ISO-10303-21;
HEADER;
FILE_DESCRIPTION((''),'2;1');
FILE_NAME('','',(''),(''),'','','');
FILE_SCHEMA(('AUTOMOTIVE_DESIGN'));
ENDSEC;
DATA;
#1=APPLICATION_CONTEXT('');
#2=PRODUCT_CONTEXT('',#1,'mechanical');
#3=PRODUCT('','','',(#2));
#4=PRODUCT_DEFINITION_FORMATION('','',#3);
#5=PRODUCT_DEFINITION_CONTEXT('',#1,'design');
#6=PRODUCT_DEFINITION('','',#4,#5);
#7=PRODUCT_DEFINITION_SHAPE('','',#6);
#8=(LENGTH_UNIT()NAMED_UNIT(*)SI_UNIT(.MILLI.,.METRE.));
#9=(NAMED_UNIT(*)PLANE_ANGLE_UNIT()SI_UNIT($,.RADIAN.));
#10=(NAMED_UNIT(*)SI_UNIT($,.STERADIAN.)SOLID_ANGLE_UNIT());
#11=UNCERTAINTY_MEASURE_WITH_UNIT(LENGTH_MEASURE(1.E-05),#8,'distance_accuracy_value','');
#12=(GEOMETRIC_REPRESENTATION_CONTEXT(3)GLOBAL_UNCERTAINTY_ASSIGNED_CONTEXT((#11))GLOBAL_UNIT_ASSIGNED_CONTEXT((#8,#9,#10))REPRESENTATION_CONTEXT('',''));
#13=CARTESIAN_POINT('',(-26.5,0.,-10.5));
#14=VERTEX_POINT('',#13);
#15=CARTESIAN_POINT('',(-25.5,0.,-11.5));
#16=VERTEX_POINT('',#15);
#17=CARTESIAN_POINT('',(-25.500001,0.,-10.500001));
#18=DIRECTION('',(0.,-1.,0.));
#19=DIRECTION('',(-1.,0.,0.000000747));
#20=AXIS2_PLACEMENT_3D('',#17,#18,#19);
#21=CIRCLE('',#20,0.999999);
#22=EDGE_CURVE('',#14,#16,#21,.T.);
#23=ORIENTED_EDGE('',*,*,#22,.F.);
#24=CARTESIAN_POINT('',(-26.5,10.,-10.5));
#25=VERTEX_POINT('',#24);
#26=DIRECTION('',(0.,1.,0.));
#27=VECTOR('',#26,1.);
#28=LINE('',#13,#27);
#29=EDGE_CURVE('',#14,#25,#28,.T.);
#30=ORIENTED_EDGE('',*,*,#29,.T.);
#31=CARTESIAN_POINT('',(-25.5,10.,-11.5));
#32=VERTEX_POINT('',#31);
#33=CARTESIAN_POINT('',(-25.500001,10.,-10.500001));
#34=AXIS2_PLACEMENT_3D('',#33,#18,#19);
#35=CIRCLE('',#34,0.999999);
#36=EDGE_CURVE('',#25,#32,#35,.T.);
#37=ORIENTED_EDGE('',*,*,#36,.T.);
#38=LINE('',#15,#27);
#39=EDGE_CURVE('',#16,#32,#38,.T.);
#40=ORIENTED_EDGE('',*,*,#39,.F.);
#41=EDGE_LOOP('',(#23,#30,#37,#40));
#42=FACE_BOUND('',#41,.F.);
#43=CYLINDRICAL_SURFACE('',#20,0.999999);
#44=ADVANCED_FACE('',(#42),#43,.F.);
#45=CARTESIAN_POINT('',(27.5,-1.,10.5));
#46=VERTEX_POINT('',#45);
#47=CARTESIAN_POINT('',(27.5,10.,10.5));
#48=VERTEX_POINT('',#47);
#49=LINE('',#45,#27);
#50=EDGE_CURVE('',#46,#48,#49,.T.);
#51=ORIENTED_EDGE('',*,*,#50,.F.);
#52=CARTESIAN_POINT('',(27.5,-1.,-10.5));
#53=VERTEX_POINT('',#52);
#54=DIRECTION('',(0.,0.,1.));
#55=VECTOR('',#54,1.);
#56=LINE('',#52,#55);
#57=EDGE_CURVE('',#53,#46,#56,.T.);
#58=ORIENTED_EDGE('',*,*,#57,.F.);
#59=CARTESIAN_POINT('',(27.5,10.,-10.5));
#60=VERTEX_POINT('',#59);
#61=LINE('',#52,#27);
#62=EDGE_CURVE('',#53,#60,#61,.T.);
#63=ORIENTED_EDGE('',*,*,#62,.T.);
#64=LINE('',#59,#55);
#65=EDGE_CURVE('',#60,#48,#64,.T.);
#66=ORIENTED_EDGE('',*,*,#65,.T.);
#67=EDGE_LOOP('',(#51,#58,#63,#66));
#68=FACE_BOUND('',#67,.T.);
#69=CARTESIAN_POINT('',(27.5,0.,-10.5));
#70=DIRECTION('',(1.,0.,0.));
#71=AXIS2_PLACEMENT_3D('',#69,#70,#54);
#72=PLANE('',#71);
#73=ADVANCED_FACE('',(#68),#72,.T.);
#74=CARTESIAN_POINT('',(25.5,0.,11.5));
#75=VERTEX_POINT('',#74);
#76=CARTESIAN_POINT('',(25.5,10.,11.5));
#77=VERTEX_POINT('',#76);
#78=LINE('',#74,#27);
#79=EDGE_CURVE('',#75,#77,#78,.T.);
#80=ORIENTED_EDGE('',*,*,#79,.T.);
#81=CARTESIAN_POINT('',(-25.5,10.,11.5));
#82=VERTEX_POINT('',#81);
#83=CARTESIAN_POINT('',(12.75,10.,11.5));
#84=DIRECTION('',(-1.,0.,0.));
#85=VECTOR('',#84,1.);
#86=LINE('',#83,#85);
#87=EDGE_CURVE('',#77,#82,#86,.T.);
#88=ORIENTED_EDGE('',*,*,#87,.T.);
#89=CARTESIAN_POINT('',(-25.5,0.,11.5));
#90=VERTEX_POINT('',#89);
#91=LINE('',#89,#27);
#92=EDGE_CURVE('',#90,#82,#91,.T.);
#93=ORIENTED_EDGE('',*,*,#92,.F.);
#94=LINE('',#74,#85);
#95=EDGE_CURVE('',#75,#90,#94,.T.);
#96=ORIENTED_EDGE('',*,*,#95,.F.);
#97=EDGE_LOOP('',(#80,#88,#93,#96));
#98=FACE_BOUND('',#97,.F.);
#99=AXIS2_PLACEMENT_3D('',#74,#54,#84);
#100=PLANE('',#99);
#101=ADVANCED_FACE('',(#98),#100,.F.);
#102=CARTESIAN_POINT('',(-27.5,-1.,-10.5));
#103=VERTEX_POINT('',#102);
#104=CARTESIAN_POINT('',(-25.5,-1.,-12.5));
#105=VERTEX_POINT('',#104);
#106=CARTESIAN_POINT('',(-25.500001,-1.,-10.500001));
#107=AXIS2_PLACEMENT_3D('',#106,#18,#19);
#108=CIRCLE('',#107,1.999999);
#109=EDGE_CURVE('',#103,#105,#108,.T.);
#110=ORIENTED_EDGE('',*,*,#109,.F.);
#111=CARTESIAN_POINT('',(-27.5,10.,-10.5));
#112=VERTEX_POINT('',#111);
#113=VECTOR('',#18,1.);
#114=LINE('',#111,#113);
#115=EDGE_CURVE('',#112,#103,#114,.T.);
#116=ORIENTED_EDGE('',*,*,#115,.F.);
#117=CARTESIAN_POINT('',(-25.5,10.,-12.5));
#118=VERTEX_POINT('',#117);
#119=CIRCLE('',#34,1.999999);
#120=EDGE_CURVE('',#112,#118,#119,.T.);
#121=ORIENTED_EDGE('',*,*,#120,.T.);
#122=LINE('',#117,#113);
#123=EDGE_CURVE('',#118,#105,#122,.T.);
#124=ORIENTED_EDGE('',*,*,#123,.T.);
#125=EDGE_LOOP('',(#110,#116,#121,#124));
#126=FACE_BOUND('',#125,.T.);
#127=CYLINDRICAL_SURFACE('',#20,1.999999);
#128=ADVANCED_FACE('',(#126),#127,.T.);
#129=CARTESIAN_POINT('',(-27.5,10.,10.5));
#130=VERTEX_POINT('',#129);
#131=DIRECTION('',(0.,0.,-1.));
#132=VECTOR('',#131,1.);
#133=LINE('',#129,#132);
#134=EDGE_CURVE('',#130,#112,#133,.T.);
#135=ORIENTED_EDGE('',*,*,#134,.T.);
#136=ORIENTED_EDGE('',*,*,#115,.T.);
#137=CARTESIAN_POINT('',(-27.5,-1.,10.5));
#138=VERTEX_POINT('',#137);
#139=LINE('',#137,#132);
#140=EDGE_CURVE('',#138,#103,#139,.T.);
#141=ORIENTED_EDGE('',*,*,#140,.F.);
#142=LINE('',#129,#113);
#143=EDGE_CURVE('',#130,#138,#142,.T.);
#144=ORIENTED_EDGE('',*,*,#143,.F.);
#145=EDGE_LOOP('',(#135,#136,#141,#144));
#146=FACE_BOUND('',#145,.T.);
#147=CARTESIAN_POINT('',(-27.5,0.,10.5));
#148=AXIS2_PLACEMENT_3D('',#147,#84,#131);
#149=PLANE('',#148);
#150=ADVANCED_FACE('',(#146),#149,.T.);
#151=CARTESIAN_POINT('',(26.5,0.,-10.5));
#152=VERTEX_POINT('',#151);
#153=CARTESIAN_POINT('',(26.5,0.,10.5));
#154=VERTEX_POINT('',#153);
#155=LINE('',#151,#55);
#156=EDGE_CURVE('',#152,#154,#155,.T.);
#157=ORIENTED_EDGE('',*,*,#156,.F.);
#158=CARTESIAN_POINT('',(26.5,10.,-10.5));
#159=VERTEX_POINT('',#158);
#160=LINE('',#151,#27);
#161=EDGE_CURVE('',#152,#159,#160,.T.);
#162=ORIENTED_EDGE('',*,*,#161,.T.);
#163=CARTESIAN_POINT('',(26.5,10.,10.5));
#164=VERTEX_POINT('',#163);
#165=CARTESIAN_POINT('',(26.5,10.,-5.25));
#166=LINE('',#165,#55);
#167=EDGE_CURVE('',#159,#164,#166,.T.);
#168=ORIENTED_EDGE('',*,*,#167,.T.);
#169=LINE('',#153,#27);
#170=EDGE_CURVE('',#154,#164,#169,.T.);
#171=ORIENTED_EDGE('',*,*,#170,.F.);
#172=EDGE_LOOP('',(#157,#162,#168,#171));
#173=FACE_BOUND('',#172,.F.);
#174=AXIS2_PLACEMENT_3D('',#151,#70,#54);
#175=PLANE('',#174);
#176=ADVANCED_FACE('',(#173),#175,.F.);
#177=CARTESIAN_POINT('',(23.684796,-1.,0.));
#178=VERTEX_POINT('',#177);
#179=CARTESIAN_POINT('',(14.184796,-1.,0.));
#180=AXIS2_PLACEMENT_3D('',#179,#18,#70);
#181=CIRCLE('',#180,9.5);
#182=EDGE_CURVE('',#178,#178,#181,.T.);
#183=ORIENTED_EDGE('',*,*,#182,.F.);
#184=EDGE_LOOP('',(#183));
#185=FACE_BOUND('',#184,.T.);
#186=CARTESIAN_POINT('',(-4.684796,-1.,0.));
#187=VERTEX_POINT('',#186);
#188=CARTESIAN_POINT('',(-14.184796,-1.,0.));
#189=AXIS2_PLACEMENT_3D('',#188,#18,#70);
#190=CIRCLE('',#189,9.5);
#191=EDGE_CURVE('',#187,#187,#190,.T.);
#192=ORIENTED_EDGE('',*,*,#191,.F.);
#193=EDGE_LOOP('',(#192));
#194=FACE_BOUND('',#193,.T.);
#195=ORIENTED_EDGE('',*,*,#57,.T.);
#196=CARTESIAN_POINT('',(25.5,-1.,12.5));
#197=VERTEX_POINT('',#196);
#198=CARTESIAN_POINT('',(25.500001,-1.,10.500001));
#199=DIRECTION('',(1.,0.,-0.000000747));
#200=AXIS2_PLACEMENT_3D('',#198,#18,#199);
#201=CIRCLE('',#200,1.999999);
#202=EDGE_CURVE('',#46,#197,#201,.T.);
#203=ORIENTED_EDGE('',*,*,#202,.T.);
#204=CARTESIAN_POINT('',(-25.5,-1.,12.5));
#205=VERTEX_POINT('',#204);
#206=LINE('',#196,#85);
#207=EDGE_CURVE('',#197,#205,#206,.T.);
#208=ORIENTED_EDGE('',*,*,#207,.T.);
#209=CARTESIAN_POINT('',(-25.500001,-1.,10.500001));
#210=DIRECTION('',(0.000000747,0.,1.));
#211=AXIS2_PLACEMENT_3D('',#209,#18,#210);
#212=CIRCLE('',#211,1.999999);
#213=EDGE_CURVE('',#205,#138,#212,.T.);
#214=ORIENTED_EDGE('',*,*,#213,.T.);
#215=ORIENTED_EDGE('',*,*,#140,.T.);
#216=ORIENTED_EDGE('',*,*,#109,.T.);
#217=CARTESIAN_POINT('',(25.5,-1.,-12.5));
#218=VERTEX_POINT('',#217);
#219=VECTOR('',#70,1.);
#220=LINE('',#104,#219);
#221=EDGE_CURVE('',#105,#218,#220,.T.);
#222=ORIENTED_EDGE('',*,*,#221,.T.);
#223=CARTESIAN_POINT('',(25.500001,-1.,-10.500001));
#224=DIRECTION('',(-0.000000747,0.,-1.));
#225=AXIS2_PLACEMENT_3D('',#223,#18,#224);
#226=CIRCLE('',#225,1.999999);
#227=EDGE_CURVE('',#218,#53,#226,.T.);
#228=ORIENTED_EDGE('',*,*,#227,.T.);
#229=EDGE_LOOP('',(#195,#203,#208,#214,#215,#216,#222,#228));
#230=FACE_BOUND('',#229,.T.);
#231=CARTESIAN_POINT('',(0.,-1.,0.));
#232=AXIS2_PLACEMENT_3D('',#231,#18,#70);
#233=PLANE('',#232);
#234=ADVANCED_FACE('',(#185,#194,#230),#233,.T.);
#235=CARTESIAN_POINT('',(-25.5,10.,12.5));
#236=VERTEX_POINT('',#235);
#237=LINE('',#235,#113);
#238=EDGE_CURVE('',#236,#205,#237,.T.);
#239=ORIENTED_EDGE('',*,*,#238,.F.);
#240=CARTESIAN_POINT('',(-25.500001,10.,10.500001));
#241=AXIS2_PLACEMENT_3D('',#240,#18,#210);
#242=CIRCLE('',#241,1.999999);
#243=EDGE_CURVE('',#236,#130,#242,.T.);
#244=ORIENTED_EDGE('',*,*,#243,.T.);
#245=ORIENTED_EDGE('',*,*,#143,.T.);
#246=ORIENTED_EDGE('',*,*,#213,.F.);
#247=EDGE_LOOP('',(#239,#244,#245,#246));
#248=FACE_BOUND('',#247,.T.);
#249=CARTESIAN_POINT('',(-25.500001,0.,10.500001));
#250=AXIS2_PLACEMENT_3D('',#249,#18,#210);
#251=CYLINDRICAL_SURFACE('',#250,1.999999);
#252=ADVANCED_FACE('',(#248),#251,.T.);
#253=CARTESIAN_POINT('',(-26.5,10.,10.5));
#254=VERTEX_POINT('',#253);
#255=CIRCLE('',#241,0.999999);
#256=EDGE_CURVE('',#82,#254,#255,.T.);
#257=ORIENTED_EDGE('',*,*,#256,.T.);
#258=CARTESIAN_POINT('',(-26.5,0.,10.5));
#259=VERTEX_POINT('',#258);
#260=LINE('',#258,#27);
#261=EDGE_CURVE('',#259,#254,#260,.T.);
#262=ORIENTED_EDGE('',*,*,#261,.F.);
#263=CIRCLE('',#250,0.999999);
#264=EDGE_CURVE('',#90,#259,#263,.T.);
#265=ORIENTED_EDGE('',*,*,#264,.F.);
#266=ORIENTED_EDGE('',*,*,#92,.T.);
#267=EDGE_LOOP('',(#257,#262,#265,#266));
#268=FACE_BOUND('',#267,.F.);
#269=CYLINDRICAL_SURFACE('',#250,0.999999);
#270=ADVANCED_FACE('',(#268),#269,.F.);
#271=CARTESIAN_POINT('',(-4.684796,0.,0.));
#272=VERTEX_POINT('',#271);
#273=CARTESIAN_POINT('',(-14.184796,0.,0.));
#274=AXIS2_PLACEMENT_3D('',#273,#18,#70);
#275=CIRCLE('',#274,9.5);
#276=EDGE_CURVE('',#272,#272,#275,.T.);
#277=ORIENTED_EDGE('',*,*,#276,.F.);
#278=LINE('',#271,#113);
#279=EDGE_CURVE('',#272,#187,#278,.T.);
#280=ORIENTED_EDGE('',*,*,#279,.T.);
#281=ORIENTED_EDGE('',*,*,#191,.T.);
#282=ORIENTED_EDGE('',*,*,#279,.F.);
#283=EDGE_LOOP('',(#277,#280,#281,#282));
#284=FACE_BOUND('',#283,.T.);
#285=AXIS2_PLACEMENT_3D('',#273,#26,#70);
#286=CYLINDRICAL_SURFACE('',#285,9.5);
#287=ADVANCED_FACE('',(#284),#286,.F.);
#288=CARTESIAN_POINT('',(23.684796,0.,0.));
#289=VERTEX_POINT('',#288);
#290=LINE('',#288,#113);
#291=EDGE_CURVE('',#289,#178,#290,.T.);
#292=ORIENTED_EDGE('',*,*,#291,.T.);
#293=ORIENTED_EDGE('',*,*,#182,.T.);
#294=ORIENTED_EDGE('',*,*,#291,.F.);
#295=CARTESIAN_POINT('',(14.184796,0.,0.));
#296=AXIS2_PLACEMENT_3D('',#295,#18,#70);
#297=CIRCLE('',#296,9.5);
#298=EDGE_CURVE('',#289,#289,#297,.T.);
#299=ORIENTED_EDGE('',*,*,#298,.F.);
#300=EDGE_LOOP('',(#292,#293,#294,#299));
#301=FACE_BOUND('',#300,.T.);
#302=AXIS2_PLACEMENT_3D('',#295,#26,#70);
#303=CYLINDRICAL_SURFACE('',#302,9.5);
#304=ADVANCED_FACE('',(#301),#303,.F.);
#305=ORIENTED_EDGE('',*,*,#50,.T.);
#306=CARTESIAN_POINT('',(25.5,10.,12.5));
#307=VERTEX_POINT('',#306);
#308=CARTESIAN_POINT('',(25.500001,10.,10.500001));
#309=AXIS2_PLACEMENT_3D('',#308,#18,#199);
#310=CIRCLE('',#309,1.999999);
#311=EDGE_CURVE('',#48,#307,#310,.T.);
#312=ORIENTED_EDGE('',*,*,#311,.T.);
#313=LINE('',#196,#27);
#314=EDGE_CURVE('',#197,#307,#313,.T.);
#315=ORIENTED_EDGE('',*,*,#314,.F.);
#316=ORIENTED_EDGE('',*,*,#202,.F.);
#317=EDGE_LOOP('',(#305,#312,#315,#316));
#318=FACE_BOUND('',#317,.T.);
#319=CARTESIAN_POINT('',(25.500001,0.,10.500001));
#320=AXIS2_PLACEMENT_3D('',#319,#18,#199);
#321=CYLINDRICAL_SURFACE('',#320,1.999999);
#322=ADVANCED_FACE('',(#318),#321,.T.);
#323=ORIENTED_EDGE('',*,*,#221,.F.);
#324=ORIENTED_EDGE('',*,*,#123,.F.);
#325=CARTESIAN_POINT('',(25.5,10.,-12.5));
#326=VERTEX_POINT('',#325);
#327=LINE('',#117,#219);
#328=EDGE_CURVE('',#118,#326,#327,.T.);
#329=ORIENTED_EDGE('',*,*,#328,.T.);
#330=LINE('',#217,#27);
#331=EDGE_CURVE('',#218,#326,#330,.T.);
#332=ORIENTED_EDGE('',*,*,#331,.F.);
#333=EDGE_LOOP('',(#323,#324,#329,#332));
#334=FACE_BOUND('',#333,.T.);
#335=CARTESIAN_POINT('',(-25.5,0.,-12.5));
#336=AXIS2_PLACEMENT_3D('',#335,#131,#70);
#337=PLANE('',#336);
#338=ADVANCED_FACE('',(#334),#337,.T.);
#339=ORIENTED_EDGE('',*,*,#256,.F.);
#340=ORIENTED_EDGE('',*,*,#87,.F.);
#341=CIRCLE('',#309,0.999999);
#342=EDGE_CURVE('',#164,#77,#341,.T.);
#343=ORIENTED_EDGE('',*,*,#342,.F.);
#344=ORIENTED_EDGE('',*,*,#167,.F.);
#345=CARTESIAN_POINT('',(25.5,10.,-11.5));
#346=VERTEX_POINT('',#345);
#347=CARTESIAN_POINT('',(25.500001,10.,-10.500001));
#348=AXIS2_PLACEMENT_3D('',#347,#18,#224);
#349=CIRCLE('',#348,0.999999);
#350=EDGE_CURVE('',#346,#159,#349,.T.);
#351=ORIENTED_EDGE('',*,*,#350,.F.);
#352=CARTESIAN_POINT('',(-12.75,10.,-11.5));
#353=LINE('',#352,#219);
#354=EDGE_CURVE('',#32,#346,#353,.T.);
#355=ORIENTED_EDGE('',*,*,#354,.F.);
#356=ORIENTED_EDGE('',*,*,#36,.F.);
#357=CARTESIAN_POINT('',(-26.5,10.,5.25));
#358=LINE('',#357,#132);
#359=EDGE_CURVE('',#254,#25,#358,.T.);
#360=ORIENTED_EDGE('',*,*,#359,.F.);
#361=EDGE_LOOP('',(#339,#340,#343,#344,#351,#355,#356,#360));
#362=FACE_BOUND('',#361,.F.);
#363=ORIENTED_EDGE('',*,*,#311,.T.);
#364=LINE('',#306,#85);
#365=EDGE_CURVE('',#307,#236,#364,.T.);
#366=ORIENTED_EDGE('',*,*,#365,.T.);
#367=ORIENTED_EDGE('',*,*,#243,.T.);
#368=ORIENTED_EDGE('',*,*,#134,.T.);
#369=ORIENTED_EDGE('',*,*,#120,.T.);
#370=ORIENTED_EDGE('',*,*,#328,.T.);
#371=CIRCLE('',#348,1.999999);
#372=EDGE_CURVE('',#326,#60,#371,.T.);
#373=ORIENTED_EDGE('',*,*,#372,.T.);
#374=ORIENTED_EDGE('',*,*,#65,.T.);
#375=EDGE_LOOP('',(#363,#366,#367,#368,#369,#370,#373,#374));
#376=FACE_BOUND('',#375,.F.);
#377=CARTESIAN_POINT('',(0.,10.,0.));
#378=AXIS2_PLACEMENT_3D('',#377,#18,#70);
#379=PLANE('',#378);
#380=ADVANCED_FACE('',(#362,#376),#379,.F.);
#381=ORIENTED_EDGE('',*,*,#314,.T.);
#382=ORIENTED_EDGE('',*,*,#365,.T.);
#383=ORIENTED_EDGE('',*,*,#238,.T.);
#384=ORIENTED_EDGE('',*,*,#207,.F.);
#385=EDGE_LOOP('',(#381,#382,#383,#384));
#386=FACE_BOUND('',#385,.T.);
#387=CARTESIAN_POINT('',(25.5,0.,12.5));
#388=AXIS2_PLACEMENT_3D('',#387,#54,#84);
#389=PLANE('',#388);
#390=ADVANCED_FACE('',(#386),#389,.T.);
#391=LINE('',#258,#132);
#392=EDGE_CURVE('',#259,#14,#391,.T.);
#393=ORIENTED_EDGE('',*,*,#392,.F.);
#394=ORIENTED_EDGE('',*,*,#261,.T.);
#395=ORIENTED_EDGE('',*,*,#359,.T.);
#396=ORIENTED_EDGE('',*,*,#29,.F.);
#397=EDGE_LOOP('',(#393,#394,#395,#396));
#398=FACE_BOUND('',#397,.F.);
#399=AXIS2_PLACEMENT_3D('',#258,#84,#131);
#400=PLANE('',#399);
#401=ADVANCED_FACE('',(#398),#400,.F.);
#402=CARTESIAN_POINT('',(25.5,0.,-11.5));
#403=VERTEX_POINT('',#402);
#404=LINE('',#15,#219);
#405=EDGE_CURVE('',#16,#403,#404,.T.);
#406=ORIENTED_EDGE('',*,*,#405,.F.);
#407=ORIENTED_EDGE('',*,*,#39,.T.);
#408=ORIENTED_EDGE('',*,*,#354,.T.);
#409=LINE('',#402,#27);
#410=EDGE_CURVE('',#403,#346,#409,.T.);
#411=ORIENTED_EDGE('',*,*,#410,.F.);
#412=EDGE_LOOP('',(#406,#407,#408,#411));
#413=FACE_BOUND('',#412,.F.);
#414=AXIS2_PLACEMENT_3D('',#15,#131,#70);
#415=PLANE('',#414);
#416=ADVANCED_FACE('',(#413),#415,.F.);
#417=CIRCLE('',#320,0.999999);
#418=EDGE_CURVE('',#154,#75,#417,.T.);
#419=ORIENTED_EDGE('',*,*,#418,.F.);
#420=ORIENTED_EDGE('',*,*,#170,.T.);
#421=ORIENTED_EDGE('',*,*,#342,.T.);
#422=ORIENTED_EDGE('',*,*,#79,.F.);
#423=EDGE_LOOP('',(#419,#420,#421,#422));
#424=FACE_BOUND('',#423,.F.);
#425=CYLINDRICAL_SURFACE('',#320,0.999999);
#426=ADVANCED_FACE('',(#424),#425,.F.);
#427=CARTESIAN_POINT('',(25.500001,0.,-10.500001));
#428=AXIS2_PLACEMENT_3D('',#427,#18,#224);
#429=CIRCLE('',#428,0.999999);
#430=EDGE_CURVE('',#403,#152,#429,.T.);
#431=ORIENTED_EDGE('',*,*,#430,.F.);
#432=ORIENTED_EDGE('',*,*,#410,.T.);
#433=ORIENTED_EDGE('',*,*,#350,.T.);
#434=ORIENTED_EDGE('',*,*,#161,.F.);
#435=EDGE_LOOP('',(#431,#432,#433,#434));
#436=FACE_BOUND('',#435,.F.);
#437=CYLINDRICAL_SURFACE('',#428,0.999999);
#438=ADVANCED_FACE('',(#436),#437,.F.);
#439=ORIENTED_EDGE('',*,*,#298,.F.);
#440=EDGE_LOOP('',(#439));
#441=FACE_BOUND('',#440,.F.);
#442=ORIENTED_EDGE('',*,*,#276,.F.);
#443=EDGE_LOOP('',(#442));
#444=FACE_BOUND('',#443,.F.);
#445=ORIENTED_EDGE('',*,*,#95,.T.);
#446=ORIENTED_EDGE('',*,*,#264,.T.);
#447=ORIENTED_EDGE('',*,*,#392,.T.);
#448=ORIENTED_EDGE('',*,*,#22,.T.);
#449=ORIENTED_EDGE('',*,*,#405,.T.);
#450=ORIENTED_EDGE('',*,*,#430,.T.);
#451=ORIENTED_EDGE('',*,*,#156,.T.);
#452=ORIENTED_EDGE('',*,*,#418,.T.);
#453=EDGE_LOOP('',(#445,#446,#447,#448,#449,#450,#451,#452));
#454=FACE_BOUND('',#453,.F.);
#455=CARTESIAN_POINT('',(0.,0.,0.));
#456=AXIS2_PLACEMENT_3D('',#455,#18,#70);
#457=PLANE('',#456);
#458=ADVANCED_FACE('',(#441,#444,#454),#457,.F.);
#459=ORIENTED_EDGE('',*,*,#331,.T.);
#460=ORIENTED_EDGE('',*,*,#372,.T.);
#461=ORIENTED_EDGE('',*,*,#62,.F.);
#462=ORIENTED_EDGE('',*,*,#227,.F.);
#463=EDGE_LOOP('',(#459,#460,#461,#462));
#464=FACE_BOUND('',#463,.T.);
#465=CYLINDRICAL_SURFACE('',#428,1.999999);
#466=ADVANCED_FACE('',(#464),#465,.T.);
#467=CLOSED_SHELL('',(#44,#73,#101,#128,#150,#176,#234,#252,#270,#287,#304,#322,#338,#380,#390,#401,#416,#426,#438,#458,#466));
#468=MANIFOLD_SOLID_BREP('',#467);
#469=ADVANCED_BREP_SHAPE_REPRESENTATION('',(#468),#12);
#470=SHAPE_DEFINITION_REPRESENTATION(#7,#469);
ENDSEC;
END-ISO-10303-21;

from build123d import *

# Parameters (mm, degrees)
F0_R     = 9.5
F1_DEPTH = 1
F3_DEPTH = 10
F4_DEPTH = 35.9


with BuildPart() as f1:
    # F0 (on Front) → F1 (new body)
    with BuildSketch(Plane.XZ):
        with BuildLine():
            Line((25.5, 12.5), (-25.5, 12.5))
            ThreePointArc((-25.5, 12.5), (-26.914214, 11.914214), (-27.5, 10.5))
            Line((-27.5, 10.5), (-27.5, -10.5))
            ThreePointArc((-27.5, -10.5), (-26.914214, -11.914214), (-25.5, -12.5))
            Line((-25.5, -12.5), (25.5, -12.5))
            ThreePointArc((25.5, -12.5), (26.914214, -11.914214), (27.5, -10.5))
            Line((27.5, -10.5), (27.5, 10.5))
            ThreePointArc((27.5, 10.5), (26.914214, 11.914214), (25.5, 12.5))
        make_face()
        with Locations((-14.184796, 0)):
            Circle(F0_R, mode=Mode.SUBTRACT)
        with Locations((14.184796, 0)):
            Circle(F0_R, mode=Mode.SUBTRACT)
    extrude(amount=F1_DEPTH)

    # F0 (on Front) → F3 (join)
    with BuildSketch(Plane.XZ):
        with BuildLine():
            Line((25.5, 12.5), (-25.5, 12.5))
            ThreePointArc((-25.5, 12.5), (-26.914214, 11.914214), (-27.5, 10.5))
            Line((-27.5, 10.5), (-27.5, -10.5))
            ThreePointArc((-27.5, -10.5), (-26.914214, -11.914214), (-25.5, -12.5))
            Line((-25.5, -12.5), (25.5, -12.5))
            ThreePointArc((25.5, -12.5), (26.914214, -11.914214), (27.5, -10.5))
            Line((27.5, -10.5), (27.5, 10.5))
            ThreePointArc((27.5, 10.5), (26.914214, 11.914214), (25.5, 12.5))
        make_face()
        with Locations((-14.184796, 0)):
            Circle(F0_R, mode=Mode.SUBTRACT)
        with Locations((14.184796, 0)):
            Circle(F0_R, mode=Mode.SUBTRACT)
    extrude(amount=-F3_DEPTH)

    # F2 (on Front) → F4 (cut)
    with BuildSketch(Plane.XZ):
        with BuildLine():
            ThreePointArc((26.5, 10.5), (26.207107, 11.207107), (25.5, 11.5))
            Line((25.5, 11.5), (-25.5, 11.5))
            ThreePointArc((-25.5, 11.5), (-26.207107, 11.207107), (-26.5, 10.5))
            Line((-26.5, 10.5), (-26.5, -10.5))
            ThreePointArc((-26.5, -10.5), (-26.207107, -11.207107), (-25.5, -11.5))
            Line((-25.5, -11.5), (25.5, -11.5))
            ThreePointArc((25.5, -11.5), (26.207107, -11.207107), (26.5, -10.5))
            Line((26.5, -10.5), (26.5, 10.5))
        make_face()
    extrude(amount=-F4_DEPTH, mode=Mode.SUBTRACT)


solid = f1.part
